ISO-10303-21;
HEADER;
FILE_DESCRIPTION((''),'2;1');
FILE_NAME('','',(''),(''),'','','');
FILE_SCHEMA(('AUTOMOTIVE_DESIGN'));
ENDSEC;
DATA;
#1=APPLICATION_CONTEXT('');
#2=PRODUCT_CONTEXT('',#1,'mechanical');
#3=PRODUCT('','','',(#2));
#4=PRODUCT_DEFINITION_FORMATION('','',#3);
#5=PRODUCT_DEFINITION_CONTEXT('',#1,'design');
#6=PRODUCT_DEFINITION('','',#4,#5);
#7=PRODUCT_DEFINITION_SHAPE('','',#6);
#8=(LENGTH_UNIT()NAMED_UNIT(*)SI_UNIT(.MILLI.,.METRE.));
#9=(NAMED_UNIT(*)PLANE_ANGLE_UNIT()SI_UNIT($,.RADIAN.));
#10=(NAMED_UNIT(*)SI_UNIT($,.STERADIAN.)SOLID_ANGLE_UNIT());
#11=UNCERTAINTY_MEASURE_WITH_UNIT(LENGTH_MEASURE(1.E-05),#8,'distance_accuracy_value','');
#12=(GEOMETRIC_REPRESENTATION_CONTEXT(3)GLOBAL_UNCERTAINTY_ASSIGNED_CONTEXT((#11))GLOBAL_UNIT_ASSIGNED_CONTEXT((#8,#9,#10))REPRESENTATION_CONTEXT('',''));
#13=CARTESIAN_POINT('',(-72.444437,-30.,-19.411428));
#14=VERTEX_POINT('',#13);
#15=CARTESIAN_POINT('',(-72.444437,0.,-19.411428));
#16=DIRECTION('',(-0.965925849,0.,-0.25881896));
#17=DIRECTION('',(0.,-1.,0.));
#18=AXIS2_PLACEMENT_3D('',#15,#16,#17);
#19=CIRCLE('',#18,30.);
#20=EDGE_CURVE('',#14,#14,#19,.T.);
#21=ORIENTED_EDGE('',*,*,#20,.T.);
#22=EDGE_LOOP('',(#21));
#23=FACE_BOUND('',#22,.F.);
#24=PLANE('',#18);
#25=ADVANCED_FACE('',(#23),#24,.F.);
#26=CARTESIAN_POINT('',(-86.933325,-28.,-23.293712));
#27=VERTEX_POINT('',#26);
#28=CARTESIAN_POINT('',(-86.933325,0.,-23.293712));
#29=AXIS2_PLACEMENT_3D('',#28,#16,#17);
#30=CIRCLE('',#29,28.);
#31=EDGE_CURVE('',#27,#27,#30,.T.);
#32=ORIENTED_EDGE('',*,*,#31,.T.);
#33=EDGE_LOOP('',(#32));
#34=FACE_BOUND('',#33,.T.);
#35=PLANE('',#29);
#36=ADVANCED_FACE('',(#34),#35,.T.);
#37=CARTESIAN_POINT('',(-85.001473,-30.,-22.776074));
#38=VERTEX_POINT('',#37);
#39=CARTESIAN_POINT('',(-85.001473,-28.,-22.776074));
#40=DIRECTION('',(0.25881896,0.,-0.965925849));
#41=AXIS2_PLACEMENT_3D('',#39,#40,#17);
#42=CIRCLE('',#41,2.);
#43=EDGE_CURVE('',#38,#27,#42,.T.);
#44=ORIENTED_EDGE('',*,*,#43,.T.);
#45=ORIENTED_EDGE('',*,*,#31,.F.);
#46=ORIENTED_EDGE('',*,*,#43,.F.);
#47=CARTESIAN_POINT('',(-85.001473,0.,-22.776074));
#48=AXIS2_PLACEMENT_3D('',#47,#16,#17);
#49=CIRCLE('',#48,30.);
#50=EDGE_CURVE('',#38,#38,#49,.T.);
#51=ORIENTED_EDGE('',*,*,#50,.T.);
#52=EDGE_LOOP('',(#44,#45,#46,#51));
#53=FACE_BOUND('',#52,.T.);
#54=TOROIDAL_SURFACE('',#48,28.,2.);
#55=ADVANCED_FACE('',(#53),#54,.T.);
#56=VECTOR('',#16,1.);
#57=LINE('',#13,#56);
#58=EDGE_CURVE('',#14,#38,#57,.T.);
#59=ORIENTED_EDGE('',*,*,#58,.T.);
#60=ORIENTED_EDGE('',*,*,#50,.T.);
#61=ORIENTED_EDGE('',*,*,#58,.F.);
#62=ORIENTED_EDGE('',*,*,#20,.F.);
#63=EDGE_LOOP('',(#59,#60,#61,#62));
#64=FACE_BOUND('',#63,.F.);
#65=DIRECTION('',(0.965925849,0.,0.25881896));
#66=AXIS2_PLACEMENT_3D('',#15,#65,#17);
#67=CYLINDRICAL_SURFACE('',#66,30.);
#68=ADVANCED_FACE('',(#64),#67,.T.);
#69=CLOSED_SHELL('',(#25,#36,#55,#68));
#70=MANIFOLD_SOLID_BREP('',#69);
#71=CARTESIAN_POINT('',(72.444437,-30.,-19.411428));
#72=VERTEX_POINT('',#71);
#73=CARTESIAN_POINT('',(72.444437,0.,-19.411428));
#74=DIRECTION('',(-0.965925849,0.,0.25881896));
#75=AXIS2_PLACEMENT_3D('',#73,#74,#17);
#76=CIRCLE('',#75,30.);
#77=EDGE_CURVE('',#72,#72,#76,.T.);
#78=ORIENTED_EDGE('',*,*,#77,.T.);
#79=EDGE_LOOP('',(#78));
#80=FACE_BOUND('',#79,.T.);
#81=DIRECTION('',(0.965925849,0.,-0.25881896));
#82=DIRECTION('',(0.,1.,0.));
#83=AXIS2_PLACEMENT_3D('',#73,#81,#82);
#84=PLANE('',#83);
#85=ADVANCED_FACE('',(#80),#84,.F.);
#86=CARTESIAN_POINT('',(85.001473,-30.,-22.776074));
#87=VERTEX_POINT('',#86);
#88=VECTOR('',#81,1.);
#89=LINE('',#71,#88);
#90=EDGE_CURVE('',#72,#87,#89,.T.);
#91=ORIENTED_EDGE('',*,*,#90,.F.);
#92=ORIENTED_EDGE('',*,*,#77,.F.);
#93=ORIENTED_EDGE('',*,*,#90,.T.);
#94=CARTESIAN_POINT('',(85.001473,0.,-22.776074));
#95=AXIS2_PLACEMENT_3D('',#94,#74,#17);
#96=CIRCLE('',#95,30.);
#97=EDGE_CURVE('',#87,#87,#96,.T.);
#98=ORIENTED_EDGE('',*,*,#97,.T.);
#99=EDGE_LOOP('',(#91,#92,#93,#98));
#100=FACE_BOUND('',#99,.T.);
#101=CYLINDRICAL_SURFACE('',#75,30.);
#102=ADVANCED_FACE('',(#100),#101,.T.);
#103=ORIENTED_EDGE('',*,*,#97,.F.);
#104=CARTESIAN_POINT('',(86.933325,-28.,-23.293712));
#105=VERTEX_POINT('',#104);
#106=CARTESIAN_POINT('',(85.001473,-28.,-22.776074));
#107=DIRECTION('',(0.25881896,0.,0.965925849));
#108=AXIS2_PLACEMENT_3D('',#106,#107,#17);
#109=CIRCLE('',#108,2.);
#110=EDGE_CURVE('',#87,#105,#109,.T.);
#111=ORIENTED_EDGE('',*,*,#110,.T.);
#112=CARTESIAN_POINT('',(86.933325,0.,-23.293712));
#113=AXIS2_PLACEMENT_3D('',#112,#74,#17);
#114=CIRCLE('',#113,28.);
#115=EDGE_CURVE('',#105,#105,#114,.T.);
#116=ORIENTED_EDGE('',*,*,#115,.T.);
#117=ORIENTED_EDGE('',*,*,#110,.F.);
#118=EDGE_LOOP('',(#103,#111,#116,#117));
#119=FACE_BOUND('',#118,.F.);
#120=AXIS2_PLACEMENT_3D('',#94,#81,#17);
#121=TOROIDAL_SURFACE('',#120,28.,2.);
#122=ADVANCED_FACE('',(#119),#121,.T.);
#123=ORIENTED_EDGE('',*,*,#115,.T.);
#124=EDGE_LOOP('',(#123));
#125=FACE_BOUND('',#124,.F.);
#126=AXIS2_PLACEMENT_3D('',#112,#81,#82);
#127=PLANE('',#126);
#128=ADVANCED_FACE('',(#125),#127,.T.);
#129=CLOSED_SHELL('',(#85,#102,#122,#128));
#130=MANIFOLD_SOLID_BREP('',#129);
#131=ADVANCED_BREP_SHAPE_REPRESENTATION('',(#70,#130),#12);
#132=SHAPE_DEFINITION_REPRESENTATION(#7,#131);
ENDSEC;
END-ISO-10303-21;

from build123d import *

# Parameters (mm, degrees)
F2_R     = 30
F3_DEPTH = 15
F5_R     = 2


with BuildPart() as f3:
    # F2 (on face) → F3 (new body)
    with BuildSketch(Plane(origin=(-72.444437, 0, -19.411428), x_dir=(0, -1, 0), z_dir=(-0.965926, 0, -0.258819))):
        Circle(F2_R)
    extrude(amount=F3_DEPTH)

    # F5
    f5_edges = [f3.edges().sort_by_distance(p)[0] for p in [
        (-86.933324, 30, -23.293714),
    ]]
    fillet(f5_edges, radius=F5_R)


with BuildPart() as f4_1:
    # F4: instance of F3
    add(f3.part.mirror(Plane.YZ))


solid = Compound([f3.part, f4_1.part])
